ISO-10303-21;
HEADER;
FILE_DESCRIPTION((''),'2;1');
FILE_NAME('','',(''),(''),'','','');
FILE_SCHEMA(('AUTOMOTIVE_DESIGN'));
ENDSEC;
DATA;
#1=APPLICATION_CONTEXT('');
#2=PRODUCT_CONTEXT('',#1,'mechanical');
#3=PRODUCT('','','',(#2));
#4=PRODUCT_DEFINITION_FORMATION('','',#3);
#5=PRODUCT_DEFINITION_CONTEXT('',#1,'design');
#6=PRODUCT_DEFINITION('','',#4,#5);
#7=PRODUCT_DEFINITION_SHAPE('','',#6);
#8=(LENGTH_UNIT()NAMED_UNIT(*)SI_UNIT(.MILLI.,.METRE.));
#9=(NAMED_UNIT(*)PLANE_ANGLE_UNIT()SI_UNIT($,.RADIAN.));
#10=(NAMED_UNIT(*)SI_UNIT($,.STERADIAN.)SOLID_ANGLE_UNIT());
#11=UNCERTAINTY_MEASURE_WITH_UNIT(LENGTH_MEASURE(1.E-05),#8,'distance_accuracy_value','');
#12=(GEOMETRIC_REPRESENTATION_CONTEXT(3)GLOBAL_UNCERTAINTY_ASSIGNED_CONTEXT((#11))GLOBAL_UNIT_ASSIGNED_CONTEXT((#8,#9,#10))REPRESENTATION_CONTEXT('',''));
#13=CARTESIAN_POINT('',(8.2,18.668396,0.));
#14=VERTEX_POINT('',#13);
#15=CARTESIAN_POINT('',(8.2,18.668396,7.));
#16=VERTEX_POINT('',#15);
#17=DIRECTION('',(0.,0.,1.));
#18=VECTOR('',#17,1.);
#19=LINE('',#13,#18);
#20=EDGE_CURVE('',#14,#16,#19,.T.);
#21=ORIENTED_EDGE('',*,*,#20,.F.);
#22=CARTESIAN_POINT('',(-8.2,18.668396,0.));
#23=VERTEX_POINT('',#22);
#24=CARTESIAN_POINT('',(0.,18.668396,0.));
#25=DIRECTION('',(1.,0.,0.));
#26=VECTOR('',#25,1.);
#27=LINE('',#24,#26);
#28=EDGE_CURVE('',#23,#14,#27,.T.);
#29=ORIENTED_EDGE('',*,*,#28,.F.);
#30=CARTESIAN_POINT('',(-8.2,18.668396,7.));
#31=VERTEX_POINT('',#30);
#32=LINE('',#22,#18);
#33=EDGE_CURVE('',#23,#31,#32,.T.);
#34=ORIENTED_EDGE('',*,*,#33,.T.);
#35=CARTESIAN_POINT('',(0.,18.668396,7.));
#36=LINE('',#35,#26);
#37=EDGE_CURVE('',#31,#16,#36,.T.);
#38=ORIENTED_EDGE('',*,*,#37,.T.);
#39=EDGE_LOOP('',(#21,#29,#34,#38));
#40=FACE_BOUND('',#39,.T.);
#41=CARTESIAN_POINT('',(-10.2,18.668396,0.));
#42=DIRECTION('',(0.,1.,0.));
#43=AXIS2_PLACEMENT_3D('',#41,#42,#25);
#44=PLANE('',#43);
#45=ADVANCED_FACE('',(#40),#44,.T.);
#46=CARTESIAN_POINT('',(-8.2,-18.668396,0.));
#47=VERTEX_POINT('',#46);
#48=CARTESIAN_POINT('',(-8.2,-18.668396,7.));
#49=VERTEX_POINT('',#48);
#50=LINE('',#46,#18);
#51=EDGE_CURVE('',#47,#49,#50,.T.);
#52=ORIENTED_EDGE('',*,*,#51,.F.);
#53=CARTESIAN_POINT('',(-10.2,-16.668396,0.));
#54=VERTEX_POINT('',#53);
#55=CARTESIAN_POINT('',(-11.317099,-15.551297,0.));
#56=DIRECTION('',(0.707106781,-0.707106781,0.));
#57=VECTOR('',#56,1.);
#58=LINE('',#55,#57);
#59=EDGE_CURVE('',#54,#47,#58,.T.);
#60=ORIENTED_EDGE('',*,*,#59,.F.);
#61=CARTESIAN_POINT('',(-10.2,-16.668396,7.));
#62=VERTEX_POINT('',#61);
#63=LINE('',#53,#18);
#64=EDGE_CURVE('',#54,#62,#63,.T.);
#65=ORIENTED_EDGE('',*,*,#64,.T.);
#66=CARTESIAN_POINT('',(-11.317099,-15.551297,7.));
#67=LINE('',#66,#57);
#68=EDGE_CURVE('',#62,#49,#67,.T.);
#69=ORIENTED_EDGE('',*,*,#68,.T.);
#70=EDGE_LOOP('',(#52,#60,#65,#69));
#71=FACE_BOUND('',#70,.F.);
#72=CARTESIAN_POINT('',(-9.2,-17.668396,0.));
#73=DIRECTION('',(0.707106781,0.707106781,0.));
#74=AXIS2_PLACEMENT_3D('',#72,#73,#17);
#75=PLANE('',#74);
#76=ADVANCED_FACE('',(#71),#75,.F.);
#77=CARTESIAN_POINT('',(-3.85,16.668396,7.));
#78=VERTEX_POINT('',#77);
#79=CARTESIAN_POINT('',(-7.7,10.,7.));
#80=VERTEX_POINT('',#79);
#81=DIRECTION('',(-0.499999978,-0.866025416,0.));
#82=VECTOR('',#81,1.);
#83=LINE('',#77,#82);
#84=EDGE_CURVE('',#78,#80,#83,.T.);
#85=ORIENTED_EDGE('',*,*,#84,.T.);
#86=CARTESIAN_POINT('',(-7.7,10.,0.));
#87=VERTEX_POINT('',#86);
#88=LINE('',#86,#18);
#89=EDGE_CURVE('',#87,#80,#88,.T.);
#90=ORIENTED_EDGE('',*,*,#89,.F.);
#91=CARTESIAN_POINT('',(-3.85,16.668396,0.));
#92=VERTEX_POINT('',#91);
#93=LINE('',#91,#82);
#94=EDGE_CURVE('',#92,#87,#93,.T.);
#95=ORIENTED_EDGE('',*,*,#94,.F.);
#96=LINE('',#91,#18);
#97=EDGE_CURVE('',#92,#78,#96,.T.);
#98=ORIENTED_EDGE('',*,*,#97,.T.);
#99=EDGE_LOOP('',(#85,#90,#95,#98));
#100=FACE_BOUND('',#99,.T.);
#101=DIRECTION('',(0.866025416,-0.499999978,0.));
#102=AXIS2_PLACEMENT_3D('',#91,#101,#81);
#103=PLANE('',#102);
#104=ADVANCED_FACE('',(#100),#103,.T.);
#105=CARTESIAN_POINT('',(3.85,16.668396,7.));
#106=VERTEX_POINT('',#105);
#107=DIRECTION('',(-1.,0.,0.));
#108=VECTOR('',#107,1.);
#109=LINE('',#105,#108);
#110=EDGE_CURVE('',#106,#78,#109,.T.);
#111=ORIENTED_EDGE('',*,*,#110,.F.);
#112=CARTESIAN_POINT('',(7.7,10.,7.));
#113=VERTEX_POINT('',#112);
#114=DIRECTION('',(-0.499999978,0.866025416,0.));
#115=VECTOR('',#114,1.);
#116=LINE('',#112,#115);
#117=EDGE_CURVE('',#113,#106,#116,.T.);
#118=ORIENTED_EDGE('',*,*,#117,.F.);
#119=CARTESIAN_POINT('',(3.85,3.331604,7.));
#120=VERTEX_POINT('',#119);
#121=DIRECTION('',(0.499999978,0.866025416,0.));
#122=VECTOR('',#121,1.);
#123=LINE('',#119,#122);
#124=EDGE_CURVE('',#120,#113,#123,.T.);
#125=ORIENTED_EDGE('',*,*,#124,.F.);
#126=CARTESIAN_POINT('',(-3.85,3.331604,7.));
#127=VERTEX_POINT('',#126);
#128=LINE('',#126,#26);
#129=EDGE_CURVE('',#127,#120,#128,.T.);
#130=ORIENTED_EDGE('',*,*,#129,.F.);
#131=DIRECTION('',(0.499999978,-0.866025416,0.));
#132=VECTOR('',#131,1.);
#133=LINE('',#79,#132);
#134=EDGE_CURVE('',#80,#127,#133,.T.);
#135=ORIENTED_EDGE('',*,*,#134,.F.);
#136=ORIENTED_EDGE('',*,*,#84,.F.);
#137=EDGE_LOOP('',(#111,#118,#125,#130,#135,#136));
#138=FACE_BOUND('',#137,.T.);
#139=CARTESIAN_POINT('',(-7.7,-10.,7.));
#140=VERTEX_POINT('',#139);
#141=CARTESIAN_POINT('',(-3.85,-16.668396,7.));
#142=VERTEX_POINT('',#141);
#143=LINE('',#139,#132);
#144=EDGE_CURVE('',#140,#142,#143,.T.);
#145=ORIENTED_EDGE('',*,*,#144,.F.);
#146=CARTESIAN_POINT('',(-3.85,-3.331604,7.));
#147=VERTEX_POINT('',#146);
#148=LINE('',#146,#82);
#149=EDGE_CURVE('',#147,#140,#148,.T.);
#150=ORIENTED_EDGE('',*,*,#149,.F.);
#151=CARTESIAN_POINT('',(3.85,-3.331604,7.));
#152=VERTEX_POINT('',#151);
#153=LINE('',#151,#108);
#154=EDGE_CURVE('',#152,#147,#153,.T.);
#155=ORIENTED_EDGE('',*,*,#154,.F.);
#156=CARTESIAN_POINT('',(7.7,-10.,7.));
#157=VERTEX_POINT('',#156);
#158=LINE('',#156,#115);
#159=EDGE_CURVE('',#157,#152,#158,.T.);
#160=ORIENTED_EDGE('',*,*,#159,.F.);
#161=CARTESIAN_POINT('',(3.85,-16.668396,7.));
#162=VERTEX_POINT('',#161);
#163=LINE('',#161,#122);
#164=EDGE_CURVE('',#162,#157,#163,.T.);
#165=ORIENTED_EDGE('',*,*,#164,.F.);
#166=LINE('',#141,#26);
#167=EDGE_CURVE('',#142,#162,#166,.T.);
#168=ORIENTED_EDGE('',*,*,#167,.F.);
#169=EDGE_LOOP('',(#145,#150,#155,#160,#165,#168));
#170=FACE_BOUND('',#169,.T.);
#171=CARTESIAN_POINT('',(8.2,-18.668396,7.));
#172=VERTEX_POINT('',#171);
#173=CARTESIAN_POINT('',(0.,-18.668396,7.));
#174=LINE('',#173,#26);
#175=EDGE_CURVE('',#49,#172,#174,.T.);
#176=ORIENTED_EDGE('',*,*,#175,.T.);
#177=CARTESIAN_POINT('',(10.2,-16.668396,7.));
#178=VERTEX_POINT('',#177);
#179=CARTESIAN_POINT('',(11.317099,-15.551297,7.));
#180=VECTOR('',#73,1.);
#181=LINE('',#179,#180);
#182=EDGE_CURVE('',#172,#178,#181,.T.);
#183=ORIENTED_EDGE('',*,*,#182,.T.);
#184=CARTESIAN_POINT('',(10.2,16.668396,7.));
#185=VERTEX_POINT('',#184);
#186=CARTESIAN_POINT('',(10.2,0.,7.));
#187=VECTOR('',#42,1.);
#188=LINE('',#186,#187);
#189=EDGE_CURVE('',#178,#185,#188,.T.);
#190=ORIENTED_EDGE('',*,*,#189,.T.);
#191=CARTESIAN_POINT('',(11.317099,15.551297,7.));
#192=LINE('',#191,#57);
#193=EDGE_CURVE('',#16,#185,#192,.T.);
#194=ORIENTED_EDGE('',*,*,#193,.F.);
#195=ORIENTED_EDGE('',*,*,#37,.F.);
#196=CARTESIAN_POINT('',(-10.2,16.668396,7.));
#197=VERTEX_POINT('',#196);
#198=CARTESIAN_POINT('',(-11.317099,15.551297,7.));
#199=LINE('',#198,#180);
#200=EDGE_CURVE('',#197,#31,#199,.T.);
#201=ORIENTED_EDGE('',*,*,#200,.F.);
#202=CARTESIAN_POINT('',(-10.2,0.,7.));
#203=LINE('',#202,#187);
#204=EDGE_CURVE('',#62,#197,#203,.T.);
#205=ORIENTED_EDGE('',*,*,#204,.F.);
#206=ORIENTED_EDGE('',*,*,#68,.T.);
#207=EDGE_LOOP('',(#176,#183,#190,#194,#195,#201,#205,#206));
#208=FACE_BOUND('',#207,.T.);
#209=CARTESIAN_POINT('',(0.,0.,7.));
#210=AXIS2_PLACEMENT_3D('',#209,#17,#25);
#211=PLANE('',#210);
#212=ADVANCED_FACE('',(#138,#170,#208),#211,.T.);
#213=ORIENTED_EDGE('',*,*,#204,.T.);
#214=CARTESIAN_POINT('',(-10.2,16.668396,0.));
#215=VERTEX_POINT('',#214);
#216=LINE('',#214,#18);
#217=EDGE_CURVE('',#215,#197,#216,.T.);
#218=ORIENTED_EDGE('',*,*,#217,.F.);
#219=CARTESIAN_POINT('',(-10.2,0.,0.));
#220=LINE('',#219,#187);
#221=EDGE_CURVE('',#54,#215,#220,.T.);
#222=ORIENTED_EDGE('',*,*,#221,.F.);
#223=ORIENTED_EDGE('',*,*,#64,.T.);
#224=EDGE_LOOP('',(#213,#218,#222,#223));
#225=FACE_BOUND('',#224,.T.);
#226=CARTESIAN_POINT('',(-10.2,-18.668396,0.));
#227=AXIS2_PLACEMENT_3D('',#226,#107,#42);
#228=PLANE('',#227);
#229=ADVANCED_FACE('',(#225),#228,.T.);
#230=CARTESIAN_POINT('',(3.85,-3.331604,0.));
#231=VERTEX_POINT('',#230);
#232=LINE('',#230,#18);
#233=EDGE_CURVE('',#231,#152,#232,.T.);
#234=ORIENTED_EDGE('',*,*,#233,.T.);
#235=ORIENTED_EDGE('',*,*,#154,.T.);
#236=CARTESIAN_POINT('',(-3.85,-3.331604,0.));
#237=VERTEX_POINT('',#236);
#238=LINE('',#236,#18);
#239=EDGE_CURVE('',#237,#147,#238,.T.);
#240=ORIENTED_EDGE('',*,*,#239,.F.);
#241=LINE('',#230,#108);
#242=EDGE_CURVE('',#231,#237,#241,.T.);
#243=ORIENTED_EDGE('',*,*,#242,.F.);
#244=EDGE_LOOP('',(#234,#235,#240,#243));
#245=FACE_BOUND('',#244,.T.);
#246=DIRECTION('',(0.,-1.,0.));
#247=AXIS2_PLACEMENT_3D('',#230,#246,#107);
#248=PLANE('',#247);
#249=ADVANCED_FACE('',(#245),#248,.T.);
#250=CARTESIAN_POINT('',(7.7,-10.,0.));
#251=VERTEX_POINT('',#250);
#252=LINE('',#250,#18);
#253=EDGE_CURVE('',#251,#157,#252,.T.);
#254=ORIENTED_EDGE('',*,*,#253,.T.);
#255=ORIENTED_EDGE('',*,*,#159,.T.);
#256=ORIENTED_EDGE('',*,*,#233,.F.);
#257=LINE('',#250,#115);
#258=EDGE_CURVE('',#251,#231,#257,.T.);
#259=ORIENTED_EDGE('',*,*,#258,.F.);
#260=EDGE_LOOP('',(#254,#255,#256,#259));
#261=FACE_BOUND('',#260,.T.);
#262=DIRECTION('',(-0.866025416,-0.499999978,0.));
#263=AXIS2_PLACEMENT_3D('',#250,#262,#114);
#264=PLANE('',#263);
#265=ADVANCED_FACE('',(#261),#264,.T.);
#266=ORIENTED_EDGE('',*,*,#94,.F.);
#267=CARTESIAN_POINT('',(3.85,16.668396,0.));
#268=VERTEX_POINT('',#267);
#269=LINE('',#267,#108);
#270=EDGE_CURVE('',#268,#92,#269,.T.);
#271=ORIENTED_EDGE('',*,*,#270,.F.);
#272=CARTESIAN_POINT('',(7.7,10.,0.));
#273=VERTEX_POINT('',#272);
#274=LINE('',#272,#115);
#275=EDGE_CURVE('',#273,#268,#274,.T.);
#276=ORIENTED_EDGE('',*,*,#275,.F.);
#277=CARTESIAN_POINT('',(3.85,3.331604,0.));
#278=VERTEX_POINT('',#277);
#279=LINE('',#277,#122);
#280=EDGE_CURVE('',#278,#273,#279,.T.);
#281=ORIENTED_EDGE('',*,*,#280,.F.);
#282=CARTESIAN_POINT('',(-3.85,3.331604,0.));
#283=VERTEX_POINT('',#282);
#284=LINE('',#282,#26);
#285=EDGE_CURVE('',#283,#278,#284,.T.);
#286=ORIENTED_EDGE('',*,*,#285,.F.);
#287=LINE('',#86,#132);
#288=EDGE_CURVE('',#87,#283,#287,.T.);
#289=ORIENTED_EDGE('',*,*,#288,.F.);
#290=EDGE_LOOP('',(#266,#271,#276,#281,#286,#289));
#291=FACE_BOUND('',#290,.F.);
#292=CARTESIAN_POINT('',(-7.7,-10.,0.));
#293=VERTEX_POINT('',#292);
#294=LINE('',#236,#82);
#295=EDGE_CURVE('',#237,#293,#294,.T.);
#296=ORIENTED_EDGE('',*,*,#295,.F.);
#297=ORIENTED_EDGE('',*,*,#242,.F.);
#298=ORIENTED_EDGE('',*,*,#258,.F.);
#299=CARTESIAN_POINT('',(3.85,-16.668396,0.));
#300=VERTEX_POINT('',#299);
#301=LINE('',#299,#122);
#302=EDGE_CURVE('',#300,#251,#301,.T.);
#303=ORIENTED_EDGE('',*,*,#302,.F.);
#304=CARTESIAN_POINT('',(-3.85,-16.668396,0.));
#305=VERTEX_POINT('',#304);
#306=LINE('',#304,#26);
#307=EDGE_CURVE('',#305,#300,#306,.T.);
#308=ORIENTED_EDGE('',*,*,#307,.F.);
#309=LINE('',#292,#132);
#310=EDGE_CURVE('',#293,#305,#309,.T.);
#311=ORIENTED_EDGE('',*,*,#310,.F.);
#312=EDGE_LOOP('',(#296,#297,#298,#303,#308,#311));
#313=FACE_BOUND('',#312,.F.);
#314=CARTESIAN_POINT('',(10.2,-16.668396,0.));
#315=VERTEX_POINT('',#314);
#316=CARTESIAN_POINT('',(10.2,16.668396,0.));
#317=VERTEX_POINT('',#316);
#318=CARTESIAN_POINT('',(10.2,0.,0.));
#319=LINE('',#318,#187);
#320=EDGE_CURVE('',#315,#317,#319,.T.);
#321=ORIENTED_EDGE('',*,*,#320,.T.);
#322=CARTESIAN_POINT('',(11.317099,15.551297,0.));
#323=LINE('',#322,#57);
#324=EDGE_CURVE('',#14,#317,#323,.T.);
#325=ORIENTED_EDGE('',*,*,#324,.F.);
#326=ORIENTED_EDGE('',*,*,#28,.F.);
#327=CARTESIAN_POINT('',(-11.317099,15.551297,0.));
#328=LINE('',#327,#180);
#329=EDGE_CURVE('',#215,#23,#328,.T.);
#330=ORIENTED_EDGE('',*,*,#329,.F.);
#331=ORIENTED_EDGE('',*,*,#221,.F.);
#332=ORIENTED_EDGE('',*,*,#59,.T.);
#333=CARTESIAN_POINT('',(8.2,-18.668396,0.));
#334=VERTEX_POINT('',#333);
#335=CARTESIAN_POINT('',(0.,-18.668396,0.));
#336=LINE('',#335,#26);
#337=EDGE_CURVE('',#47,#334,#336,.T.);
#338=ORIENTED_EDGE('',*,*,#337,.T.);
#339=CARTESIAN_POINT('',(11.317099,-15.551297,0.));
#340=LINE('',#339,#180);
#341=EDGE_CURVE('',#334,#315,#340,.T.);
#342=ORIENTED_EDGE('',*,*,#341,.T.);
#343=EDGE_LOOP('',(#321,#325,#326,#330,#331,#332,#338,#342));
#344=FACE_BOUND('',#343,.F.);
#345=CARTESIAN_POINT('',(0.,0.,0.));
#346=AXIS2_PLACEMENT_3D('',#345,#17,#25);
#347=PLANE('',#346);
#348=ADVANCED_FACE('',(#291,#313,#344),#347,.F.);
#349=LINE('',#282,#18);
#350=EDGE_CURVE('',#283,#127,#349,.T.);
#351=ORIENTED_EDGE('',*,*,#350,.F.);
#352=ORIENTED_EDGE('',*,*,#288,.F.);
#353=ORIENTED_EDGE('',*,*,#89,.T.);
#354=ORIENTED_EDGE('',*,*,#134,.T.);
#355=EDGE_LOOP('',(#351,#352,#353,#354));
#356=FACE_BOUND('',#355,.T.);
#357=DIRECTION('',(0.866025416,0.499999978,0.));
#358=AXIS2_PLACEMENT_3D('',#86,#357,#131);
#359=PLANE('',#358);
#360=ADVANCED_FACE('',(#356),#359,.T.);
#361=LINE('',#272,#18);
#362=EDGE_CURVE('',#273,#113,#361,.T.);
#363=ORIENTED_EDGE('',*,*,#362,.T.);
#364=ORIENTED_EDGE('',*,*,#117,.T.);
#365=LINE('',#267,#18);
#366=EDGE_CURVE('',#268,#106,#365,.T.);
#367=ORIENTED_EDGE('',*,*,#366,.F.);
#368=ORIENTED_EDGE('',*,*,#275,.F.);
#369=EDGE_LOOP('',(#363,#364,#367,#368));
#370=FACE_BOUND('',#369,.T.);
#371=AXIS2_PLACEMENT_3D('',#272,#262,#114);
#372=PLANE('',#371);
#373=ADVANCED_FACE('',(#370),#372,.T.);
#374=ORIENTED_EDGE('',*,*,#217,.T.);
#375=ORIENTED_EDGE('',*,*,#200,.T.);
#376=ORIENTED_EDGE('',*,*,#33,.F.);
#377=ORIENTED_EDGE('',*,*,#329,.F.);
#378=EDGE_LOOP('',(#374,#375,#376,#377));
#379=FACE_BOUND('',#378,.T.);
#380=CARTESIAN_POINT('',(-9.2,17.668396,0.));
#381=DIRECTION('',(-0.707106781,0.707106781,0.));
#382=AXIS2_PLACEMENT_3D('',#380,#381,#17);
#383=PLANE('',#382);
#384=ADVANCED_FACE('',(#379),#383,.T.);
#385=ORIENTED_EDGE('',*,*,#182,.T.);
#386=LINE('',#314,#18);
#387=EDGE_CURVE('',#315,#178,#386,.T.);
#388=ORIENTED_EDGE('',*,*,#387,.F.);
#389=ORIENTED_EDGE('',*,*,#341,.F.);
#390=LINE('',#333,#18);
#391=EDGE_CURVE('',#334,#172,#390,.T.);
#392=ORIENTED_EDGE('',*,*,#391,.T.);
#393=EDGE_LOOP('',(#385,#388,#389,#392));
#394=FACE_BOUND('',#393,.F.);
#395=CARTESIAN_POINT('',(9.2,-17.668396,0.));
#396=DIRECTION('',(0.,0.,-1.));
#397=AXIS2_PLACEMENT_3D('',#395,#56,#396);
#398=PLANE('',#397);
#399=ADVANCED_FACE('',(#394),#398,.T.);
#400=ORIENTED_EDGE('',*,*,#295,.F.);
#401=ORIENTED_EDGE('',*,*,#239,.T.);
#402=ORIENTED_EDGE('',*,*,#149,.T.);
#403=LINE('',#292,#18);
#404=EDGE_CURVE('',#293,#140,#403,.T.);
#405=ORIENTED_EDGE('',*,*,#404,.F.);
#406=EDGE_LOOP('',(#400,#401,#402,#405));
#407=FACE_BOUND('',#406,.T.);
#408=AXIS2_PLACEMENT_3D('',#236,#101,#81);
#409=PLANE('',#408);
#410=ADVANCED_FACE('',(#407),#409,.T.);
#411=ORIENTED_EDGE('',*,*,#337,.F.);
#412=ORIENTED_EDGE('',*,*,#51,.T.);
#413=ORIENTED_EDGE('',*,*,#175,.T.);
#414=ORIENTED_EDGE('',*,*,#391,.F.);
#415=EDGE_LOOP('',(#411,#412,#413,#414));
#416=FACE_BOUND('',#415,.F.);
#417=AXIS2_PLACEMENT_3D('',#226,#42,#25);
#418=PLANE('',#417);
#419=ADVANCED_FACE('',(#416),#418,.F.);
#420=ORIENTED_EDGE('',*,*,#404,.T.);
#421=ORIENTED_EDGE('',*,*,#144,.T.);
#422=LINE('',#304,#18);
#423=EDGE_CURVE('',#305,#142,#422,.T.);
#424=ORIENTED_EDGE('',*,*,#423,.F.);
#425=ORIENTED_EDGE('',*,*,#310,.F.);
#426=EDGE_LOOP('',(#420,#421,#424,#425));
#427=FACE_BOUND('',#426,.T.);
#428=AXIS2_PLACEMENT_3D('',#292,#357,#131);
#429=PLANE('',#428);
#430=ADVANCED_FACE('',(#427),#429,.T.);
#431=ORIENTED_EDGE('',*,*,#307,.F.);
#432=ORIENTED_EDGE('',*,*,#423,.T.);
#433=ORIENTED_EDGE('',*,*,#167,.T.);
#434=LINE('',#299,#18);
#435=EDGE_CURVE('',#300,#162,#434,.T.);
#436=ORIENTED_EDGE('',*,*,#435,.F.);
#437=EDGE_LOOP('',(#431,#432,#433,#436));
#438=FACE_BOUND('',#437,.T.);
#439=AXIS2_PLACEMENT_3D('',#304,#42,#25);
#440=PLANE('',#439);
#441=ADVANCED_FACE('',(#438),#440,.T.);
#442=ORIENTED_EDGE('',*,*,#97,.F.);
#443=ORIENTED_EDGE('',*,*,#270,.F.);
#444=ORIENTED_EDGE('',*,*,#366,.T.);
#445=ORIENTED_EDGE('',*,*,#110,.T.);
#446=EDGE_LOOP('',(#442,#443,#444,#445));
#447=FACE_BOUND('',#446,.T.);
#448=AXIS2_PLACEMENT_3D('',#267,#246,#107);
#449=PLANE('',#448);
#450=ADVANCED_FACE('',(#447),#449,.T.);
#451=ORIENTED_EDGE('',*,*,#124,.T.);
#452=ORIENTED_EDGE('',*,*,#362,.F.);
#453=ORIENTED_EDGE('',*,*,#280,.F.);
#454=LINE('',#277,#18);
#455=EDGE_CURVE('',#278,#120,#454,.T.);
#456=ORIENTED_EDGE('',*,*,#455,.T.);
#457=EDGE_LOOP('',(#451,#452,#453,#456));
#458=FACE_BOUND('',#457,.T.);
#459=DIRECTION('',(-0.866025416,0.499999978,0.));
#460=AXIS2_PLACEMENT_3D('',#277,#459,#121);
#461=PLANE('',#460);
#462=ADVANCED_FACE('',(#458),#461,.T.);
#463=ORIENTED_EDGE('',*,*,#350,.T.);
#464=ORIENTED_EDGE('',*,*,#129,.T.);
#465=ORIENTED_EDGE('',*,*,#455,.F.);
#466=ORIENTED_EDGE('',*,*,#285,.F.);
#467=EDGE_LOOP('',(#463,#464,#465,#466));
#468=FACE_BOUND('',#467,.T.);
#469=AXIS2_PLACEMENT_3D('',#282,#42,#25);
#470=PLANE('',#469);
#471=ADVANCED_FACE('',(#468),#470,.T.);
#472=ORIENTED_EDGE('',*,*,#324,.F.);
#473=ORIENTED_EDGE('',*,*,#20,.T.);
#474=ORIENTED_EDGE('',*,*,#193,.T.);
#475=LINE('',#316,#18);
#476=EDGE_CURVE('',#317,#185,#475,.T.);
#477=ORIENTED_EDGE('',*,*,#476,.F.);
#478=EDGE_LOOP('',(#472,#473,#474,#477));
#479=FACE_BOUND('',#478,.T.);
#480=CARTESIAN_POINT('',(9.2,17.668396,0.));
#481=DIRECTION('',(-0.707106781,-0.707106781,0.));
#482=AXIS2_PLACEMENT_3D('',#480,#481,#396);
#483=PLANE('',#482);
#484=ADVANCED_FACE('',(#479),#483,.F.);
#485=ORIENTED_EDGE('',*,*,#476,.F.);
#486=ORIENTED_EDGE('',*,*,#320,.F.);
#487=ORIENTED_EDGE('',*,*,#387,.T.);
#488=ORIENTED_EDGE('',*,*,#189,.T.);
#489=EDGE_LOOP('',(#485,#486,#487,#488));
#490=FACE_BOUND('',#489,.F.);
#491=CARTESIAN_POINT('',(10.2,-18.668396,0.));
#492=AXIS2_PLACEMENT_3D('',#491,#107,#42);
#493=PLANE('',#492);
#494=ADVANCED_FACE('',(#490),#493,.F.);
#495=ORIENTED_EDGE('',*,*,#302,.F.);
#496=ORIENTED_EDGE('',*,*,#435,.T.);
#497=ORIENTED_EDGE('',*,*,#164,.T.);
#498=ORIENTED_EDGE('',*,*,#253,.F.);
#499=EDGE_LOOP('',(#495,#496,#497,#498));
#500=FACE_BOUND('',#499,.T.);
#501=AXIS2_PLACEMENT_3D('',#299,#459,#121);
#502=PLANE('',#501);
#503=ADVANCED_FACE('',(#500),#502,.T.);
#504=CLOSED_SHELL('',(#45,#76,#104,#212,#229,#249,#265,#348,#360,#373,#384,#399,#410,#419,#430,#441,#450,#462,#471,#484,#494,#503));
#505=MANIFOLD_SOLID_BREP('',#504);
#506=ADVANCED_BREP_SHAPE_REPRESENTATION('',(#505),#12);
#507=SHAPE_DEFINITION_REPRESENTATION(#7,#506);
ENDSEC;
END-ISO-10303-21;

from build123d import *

# Parameters (mm, degrees)
SKETCH_W     = 20.4
SKETCH_H     = 37.336792
PAD_DEPTH    = 7
CHAMFER_SIZE = 2


with BuildPart() as part:
    # Sketch → Pad (new body)
    with BuildSketch(Plane.XY):
        Rectangle(SKETCH_W, SKETCH_H)
        Polygon((3.85, 16.668396), (-3.85, 16.668396), (-7.7, 10), (-3.85, 3.331604), (3.85, 3.331604), (7.7, 10), align=None, mode=Mode.SUBTRACT)
        Polygon((3.85, -3.331604), (-3.85, -3.331604), (-7.7, -10), (-3.85, -16.668396), (3.85, -16.668396), (7.7, -10), align=None, mode=Mode.SUBTRACT)
    extrude(amount=PAD_DEPTH)

    # Chamfer
    chamfer_edges = [part.edges().sort_by_distance(p)[0] for p in [
        (10.2, 18.668396, 3.5),
        (-10.2, 18.668396, 3.5),
        (10.2, -18.668396, 3.5),
        (-10.2, -18.668396, 3.5),
    ]]
    chamfer(chamfer_edges, length=CHAMFER_SIZE)


solid = part.part
